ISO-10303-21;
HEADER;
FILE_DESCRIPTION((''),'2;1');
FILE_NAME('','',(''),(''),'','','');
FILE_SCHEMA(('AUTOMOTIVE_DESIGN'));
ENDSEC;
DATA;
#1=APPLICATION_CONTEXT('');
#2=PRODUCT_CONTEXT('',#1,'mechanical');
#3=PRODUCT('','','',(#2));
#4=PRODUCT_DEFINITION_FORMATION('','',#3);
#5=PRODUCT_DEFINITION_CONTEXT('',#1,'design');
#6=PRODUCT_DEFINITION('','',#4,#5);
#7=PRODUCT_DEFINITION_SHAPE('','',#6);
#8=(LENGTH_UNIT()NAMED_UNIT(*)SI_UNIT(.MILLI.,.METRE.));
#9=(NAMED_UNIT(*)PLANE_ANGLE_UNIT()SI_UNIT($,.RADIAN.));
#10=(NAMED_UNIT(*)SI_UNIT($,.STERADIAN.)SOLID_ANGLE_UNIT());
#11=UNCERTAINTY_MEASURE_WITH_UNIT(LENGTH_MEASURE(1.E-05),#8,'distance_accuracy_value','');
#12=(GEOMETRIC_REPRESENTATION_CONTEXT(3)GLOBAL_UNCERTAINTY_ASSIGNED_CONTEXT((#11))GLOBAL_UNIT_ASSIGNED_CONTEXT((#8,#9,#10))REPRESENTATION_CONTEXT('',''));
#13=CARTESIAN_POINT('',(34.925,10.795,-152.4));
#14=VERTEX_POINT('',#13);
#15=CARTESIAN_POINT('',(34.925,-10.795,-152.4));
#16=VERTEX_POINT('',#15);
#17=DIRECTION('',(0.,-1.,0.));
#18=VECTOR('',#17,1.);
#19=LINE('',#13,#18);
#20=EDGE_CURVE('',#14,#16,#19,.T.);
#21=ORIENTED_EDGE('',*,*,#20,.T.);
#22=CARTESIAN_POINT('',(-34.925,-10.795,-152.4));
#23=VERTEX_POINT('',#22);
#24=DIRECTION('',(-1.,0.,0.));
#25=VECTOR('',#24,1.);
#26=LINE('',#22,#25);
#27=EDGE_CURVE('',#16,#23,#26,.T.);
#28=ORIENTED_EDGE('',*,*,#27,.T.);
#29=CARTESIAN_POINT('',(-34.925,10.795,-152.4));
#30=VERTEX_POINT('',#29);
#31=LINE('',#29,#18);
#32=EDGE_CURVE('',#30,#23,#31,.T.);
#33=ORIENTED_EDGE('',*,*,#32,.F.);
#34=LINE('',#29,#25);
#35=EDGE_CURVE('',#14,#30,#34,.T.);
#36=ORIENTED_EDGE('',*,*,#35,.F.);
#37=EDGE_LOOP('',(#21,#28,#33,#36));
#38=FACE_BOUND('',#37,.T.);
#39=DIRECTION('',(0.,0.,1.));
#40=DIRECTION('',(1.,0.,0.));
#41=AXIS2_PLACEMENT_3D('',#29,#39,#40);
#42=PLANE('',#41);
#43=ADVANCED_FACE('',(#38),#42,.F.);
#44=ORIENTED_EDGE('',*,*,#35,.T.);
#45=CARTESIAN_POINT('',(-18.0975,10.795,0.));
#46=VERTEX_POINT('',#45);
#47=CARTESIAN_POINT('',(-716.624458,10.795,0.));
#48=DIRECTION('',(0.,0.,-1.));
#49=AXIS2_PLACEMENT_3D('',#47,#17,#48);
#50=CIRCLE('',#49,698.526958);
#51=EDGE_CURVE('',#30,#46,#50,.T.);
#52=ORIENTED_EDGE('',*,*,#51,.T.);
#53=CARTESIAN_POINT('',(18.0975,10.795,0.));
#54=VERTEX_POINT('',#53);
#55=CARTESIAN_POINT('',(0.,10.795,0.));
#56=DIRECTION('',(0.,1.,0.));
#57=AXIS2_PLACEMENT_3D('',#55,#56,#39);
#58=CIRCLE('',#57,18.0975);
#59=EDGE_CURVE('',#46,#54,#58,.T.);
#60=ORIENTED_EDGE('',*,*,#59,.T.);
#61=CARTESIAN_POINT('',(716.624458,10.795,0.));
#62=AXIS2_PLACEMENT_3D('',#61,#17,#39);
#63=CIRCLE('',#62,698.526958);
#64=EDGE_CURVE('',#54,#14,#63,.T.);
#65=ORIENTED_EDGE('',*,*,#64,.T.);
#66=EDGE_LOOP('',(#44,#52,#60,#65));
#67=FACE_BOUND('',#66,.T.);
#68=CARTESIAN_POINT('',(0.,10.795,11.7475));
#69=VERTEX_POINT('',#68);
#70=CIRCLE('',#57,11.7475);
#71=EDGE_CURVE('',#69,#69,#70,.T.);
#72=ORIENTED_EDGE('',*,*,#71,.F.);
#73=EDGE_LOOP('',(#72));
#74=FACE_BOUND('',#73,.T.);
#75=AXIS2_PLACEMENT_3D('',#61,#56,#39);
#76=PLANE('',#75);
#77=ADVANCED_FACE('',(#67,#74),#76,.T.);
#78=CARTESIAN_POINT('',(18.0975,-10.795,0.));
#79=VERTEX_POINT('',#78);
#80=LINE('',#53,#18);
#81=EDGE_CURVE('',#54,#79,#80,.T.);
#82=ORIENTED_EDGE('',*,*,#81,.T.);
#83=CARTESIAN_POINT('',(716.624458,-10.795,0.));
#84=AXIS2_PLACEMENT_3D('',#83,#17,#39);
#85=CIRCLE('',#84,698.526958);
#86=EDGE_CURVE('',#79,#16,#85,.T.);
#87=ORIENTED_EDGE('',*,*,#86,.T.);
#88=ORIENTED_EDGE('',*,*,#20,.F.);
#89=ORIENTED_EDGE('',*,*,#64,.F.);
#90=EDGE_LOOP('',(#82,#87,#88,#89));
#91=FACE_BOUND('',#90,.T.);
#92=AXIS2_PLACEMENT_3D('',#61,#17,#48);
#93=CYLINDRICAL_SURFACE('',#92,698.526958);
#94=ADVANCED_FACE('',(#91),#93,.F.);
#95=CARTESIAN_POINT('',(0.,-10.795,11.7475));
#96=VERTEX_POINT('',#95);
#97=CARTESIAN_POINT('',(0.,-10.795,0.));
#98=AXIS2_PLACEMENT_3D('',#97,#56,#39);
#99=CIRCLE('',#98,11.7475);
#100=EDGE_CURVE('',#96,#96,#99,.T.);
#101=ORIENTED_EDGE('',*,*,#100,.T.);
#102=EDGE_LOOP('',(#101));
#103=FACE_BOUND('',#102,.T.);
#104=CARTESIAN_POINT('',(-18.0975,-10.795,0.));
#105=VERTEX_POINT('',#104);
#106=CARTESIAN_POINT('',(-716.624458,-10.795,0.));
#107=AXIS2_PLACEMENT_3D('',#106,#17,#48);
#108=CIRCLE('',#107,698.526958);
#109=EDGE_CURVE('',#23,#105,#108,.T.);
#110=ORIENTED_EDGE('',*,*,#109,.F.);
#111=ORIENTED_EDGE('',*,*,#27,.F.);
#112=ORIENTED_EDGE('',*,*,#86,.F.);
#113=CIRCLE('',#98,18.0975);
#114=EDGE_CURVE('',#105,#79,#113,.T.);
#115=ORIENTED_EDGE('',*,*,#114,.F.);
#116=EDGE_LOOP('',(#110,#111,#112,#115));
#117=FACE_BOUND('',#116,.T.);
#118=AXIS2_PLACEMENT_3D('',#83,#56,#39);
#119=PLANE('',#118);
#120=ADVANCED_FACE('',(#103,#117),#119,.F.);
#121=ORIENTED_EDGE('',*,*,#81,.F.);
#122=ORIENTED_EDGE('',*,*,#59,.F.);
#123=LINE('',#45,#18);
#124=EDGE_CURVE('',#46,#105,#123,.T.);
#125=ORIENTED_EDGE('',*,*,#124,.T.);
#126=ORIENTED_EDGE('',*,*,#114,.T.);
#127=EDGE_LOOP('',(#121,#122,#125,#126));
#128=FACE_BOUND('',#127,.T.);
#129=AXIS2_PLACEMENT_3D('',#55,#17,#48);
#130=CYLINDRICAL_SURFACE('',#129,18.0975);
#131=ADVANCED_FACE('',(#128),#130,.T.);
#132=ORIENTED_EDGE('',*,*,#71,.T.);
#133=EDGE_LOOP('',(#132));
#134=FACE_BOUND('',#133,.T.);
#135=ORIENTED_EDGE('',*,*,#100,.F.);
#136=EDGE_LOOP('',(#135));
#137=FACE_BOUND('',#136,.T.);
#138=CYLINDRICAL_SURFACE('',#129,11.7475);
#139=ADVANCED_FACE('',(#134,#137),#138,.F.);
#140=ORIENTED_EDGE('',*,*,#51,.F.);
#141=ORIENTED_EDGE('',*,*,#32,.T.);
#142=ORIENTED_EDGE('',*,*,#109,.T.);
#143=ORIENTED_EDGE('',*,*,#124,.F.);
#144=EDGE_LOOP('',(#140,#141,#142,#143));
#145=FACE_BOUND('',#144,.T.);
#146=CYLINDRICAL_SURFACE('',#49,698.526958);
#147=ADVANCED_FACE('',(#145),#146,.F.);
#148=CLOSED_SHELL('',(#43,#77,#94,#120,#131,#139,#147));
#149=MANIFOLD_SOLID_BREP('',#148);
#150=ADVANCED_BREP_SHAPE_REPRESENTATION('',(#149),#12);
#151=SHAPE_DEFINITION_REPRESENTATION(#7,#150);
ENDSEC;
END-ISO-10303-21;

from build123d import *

# Parameters (mm, degrees)
SKETCH1_R           = 11.7475
BOSS_EXTRUDE1_DEPTH = 10.795


with BuildPart() as part:
    # Sketch1 → Boss-Extrude1 (new, symmetric)
    with BuildSketch(Plane(origin=(0, 0, 0), x_dir=(1, 0, 0), z_dir=(0, 1, 0))):
        with BuildLine():
            Line((-34.925, 152.4), (34.925, 152.4))
            ThreePointArc((34.925, 152.4), (22.317119813, 76.663101875), (18.0975, 0))
            ThreePointArc((18.0975, 0), (0, -18.0975), (-18.0975, 0))
            ThreePointArc((-18.0975, 0), (-22.317119813, 76.663101875), (-34.925, 152.4))
        make_face()
        with Locations(Location((0, 0, 0), (0, 0, 270))):
            Circle(SKETCH1_R, mode=Mode.SUBTRACT)
    extrude(amount=BOSS_EXTRUDE1_DEPTH, both=True)


solid = part.part
